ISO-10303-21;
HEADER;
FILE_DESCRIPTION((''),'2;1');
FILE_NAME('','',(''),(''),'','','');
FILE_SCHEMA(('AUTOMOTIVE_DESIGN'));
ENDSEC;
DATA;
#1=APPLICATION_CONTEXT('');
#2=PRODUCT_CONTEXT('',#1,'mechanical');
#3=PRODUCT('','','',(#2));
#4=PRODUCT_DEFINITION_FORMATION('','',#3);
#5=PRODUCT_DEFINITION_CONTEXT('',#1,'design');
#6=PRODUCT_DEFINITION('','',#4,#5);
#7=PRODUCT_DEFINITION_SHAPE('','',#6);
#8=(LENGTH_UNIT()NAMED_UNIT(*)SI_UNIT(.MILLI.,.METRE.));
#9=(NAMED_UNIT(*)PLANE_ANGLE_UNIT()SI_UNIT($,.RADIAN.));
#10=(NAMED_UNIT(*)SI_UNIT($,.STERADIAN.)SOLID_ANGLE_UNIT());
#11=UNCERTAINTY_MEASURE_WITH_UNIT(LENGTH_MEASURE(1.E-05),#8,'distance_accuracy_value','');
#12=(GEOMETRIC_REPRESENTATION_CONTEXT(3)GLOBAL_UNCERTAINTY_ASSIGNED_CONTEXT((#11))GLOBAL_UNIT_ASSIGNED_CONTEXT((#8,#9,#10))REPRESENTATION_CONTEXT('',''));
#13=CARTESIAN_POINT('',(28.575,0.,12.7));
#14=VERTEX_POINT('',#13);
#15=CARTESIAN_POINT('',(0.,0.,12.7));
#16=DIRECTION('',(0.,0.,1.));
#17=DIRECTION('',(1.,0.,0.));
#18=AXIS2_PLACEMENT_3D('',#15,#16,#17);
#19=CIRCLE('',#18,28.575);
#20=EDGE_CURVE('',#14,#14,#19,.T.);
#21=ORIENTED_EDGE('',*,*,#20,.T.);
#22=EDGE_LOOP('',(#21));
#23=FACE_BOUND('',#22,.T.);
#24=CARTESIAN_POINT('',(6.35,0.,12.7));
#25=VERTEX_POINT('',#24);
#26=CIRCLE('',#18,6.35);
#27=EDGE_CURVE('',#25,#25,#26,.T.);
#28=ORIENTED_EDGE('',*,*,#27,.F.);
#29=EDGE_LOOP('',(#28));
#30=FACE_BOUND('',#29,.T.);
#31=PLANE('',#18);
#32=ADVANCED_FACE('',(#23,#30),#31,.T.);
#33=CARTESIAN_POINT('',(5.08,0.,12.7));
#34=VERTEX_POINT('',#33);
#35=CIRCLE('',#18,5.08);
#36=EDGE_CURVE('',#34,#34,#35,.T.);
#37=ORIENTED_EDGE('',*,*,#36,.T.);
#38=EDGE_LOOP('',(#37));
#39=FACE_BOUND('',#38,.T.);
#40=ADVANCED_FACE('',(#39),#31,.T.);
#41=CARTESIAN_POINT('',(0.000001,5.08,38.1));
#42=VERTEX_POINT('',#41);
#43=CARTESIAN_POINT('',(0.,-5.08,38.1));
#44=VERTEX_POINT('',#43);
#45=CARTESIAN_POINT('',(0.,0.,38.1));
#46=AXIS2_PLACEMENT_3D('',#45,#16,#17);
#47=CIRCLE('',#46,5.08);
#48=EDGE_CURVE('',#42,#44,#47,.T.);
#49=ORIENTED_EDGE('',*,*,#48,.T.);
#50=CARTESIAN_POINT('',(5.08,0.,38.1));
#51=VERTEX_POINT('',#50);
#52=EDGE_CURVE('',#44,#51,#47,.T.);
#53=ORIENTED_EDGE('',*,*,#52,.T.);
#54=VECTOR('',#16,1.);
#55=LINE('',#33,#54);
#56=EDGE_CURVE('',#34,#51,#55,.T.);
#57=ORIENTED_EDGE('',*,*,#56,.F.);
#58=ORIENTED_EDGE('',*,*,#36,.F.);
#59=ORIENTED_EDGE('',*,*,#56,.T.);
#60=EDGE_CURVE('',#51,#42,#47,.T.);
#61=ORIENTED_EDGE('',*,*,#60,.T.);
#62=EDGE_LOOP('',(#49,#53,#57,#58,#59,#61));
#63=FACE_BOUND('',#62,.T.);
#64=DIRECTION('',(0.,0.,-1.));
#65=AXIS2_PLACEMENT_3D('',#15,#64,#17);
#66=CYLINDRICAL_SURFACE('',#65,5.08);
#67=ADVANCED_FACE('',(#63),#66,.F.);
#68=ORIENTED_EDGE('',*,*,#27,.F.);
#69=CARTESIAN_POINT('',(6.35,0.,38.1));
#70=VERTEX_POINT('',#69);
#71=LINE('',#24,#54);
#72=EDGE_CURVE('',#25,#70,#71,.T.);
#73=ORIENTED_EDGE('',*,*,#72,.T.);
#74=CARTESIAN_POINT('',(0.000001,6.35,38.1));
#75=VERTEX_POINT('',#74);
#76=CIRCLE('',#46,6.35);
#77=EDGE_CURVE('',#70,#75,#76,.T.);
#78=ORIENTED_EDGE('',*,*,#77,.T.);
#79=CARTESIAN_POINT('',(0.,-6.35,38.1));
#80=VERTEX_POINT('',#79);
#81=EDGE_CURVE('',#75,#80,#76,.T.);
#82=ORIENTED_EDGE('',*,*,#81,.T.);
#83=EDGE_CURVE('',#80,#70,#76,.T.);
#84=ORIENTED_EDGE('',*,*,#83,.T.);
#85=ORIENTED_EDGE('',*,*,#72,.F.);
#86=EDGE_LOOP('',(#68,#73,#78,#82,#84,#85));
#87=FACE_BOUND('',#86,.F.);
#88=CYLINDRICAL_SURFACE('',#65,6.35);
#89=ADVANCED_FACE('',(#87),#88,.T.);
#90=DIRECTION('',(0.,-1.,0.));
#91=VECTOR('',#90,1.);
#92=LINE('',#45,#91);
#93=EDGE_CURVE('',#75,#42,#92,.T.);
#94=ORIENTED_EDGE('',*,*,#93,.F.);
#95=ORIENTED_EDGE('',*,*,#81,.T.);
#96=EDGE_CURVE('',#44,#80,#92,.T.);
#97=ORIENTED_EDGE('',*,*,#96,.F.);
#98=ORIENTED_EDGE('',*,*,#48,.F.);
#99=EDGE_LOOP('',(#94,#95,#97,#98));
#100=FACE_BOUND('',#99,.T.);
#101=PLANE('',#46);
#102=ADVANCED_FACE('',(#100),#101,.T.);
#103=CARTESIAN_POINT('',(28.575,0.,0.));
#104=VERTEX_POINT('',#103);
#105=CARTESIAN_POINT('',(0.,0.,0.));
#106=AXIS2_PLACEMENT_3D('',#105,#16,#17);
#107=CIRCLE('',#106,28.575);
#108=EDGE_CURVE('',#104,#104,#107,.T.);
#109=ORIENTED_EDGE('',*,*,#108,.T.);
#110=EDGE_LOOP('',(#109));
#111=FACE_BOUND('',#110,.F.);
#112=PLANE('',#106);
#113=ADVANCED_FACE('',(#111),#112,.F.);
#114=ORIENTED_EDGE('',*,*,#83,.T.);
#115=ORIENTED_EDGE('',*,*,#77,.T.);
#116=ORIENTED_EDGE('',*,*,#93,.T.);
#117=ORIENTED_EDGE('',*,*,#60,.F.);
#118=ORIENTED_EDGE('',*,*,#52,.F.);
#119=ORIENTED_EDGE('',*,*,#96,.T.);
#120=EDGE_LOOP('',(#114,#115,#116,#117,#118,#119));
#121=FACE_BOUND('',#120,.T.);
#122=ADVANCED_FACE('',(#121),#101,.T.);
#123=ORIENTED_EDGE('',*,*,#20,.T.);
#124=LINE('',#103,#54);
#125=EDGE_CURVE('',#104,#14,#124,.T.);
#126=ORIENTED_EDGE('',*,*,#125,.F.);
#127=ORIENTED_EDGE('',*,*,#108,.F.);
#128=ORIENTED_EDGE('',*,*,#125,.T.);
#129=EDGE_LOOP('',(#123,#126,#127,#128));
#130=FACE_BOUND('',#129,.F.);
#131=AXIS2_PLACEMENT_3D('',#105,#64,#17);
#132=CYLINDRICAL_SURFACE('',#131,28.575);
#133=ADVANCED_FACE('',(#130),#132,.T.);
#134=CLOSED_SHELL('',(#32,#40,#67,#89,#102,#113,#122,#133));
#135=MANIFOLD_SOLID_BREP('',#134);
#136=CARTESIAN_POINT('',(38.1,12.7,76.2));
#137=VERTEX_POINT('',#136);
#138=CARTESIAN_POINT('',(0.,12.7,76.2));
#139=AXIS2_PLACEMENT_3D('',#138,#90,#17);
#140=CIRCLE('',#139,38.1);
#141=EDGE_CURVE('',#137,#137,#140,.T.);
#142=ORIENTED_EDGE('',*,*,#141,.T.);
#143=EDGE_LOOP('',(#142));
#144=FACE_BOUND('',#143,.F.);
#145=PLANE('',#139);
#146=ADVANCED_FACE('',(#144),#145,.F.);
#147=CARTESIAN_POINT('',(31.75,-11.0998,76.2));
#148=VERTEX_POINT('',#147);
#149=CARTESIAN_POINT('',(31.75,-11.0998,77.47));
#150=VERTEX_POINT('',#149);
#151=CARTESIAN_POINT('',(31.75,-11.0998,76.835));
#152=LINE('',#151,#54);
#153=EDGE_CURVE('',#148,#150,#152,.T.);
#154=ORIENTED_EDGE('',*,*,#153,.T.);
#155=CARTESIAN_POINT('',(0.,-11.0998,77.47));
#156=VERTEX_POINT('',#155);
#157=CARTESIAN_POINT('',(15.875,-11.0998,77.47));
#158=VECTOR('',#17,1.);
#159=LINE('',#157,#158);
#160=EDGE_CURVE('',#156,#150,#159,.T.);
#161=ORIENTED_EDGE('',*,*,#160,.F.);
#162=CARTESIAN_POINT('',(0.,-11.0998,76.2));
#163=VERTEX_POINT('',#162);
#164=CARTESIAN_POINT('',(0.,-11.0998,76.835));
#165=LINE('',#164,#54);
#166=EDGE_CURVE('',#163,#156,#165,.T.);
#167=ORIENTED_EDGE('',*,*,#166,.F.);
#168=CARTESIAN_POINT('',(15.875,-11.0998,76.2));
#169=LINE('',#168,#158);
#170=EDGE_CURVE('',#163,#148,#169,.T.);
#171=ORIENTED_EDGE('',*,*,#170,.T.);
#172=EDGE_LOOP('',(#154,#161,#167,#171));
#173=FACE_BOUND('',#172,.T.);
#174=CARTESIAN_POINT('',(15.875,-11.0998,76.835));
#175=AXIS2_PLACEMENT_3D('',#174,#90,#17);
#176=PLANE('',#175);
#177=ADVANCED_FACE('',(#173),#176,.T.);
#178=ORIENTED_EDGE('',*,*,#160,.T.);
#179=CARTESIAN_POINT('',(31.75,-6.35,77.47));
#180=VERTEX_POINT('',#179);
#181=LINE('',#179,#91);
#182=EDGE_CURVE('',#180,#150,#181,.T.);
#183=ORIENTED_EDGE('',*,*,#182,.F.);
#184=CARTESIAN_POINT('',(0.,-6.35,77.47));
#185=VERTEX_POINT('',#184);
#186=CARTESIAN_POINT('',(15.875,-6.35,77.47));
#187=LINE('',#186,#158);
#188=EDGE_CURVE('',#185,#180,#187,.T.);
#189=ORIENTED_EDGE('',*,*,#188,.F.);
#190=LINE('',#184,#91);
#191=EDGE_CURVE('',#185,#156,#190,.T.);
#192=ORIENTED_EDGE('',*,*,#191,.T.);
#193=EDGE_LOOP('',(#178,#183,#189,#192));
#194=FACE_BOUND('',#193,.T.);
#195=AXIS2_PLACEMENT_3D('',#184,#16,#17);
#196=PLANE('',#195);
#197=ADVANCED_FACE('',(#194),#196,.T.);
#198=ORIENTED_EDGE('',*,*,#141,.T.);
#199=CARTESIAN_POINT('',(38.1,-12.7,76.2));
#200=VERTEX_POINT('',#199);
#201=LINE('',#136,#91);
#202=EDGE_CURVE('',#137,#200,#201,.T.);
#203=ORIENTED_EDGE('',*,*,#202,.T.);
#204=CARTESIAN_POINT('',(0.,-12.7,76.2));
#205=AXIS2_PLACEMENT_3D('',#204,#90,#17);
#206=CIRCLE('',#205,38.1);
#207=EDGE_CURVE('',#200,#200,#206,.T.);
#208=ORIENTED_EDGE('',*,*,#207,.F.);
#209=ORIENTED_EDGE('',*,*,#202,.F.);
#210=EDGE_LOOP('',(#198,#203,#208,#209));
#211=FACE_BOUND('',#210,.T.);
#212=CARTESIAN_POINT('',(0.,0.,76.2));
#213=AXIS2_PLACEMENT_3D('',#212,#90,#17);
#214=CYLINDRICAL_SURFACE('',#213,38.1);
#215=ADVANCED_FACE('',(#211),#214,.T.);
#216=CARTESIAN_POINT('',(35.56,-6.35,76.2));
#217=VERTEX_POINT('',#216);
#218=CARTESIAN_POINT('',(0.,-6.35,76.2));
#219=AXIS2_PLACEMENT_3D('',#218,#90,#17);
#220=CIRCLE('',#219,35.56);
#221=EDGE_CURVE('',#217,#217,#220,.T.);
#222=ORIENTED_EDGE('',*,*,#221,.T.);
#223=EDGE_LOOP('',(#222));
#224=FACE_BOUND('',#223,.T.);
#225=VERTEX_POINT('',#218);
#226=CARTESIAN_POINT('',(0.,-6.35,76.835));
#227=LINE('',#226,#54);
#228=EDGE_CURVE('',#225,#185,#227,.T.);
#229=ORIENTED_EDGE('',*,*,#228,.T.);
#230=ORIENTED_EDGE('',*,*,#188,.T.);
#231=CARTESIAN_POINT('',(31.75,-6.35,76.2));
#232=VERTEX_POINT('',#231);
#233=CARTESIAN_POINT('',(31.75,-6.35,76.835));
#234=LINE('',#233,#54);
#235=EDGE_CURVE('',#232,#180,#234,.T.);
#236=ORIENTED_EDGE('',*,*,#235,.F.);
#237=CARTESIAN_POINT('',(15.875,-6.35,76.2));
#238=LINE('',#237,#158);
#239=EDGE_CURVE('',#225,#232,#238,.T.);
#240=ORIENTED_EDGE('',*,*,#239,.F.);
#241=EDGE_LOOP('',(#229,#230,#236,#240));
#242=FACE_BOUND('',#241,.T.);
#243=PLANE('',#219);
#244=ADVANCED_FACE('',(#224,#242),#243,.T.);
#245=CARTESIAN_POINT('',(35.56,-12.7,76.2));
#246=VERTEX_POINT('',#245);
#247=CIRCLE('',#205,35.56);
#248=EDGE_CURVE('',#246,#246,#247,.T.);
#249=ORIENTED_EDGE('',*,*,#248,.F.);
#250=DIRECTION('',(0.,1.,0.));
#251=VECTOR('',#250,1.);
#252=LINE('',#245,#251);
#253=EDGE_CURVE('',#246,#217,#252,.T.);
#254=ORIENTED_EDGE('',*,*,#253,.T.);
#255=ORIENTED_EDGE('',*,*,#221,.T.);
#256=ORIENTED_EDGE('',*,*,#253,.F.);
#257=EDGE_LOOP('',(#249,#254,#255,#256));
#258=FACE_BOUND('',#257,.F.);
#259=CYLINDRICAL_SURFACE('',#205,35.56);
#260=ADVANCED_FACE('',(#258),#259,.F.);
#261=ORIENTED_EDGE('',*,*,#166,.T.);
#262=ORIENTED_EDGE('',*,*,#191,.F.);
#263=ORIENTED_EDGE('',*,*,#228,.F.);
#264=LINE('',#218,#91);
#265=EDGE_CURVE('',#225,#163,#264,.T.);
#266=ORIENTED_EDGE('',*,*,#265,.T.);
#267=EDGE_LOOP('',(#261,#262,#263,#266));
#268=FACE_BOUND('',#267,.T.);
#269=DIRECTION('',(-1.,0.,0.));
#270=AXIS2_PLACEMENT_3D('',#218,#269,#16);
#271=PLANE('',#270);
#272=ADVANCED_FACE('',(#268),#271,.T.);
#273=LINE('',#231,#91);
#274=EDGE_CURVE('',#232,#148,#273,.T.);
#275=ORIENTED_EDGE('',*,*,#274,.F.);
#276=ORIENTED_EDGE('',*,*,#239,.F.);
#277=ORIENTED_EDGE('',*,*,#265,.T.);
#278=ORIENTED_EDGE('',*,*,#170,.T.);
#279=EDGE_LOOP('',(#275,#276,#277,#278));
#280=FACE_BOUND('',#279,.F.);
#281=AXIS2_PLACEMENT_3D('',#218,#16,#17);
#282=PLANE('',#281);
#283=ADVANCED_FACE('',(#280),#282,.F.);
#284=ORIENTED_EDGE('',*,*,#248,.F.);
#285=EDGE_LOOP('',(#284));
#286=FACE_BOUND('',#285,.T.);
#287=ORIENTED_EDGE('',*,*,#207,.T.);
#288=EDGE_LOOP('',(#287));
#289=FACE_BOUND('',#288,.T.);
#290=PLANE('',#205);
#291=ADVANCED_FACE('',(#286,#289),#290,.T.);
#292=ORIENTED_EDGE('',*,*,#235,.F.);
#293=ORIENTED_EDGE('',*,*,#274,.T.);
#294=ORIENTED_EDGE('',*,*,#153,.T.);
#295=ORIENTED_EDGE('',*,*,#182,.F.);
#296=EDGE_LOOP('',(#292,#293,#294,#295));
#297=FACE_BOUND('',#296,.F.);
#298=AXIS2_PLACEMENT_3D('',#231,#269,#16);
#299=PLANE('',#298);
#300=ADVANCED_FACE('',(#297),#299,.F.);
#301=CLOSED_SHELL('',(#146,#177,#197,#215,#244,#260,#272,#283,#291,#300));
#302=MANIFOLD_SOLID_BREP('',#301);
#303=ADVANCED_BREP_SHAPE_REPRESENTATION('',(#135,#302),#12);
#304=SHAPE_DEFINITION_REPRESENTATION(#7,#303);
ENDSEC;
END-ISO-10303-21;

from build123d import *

# Parameters (mm, degrees)
F0_R     = 28.575
F1_DEPTH = 12.7
F2_R     = 6.35
F2_R_2   = 5.08
F3_DEPTH = 25.4
F5_DEPTH = 12.7
F6_R     = 35.56
F7_DEPTH = 6.35
F8_W     = 31.75
F8_H     = 1.27
F9_DEPTH = 4.7498


with BuildPart() as f1:
    # F0 (on Top) → F1 (new body)
    with BuildSketch(Plane.XY):
        Circle(F0_R)
    extrude(amount=F1_DEPTH)

    # F2 (on face) → F3 (join)
    with BuildSketch(Plane.XY.offset(12.7)):
        Circle(F2_R)
        Circle(F2_R_2, mode=Mode.SUBTRACT)
    extrude(amount=F3_DEPTH)

    # F4 (on Front) → F5 (join, symmetric)
    with BuildSketch(Plane.XZ):
        with BuildLine():
            ThreePointArc((0, 38.1), (26.9407683632, 49.2592316368), (38.1, 76.2))
            ThreePointArc((38.1, 76.2), (-26.9407683632, 103.1407683632), (0, 38.1))
        make_face()
    extrude(amount=F5_DEPTH, both=True)

    # F6 (on face) → F7 (cut)
    with BuildSketch(Plane.XZ.offset(12.7)):
        with Locations((0, 76.2)):
            Circle(F6_R)
    extrude(amount=-F7_DEPTH, mode=Mode.SUBTRACT)

    # F8 (on face) → F9 (join)
    with BuildSketch(Plane.XZ.offset(6.35)):
        with Locations((15.875, 76.835)):
            Rectangle(F8_W, F8_H)
    extrude(amount=F9_DEPTH)


solid = f1.part
